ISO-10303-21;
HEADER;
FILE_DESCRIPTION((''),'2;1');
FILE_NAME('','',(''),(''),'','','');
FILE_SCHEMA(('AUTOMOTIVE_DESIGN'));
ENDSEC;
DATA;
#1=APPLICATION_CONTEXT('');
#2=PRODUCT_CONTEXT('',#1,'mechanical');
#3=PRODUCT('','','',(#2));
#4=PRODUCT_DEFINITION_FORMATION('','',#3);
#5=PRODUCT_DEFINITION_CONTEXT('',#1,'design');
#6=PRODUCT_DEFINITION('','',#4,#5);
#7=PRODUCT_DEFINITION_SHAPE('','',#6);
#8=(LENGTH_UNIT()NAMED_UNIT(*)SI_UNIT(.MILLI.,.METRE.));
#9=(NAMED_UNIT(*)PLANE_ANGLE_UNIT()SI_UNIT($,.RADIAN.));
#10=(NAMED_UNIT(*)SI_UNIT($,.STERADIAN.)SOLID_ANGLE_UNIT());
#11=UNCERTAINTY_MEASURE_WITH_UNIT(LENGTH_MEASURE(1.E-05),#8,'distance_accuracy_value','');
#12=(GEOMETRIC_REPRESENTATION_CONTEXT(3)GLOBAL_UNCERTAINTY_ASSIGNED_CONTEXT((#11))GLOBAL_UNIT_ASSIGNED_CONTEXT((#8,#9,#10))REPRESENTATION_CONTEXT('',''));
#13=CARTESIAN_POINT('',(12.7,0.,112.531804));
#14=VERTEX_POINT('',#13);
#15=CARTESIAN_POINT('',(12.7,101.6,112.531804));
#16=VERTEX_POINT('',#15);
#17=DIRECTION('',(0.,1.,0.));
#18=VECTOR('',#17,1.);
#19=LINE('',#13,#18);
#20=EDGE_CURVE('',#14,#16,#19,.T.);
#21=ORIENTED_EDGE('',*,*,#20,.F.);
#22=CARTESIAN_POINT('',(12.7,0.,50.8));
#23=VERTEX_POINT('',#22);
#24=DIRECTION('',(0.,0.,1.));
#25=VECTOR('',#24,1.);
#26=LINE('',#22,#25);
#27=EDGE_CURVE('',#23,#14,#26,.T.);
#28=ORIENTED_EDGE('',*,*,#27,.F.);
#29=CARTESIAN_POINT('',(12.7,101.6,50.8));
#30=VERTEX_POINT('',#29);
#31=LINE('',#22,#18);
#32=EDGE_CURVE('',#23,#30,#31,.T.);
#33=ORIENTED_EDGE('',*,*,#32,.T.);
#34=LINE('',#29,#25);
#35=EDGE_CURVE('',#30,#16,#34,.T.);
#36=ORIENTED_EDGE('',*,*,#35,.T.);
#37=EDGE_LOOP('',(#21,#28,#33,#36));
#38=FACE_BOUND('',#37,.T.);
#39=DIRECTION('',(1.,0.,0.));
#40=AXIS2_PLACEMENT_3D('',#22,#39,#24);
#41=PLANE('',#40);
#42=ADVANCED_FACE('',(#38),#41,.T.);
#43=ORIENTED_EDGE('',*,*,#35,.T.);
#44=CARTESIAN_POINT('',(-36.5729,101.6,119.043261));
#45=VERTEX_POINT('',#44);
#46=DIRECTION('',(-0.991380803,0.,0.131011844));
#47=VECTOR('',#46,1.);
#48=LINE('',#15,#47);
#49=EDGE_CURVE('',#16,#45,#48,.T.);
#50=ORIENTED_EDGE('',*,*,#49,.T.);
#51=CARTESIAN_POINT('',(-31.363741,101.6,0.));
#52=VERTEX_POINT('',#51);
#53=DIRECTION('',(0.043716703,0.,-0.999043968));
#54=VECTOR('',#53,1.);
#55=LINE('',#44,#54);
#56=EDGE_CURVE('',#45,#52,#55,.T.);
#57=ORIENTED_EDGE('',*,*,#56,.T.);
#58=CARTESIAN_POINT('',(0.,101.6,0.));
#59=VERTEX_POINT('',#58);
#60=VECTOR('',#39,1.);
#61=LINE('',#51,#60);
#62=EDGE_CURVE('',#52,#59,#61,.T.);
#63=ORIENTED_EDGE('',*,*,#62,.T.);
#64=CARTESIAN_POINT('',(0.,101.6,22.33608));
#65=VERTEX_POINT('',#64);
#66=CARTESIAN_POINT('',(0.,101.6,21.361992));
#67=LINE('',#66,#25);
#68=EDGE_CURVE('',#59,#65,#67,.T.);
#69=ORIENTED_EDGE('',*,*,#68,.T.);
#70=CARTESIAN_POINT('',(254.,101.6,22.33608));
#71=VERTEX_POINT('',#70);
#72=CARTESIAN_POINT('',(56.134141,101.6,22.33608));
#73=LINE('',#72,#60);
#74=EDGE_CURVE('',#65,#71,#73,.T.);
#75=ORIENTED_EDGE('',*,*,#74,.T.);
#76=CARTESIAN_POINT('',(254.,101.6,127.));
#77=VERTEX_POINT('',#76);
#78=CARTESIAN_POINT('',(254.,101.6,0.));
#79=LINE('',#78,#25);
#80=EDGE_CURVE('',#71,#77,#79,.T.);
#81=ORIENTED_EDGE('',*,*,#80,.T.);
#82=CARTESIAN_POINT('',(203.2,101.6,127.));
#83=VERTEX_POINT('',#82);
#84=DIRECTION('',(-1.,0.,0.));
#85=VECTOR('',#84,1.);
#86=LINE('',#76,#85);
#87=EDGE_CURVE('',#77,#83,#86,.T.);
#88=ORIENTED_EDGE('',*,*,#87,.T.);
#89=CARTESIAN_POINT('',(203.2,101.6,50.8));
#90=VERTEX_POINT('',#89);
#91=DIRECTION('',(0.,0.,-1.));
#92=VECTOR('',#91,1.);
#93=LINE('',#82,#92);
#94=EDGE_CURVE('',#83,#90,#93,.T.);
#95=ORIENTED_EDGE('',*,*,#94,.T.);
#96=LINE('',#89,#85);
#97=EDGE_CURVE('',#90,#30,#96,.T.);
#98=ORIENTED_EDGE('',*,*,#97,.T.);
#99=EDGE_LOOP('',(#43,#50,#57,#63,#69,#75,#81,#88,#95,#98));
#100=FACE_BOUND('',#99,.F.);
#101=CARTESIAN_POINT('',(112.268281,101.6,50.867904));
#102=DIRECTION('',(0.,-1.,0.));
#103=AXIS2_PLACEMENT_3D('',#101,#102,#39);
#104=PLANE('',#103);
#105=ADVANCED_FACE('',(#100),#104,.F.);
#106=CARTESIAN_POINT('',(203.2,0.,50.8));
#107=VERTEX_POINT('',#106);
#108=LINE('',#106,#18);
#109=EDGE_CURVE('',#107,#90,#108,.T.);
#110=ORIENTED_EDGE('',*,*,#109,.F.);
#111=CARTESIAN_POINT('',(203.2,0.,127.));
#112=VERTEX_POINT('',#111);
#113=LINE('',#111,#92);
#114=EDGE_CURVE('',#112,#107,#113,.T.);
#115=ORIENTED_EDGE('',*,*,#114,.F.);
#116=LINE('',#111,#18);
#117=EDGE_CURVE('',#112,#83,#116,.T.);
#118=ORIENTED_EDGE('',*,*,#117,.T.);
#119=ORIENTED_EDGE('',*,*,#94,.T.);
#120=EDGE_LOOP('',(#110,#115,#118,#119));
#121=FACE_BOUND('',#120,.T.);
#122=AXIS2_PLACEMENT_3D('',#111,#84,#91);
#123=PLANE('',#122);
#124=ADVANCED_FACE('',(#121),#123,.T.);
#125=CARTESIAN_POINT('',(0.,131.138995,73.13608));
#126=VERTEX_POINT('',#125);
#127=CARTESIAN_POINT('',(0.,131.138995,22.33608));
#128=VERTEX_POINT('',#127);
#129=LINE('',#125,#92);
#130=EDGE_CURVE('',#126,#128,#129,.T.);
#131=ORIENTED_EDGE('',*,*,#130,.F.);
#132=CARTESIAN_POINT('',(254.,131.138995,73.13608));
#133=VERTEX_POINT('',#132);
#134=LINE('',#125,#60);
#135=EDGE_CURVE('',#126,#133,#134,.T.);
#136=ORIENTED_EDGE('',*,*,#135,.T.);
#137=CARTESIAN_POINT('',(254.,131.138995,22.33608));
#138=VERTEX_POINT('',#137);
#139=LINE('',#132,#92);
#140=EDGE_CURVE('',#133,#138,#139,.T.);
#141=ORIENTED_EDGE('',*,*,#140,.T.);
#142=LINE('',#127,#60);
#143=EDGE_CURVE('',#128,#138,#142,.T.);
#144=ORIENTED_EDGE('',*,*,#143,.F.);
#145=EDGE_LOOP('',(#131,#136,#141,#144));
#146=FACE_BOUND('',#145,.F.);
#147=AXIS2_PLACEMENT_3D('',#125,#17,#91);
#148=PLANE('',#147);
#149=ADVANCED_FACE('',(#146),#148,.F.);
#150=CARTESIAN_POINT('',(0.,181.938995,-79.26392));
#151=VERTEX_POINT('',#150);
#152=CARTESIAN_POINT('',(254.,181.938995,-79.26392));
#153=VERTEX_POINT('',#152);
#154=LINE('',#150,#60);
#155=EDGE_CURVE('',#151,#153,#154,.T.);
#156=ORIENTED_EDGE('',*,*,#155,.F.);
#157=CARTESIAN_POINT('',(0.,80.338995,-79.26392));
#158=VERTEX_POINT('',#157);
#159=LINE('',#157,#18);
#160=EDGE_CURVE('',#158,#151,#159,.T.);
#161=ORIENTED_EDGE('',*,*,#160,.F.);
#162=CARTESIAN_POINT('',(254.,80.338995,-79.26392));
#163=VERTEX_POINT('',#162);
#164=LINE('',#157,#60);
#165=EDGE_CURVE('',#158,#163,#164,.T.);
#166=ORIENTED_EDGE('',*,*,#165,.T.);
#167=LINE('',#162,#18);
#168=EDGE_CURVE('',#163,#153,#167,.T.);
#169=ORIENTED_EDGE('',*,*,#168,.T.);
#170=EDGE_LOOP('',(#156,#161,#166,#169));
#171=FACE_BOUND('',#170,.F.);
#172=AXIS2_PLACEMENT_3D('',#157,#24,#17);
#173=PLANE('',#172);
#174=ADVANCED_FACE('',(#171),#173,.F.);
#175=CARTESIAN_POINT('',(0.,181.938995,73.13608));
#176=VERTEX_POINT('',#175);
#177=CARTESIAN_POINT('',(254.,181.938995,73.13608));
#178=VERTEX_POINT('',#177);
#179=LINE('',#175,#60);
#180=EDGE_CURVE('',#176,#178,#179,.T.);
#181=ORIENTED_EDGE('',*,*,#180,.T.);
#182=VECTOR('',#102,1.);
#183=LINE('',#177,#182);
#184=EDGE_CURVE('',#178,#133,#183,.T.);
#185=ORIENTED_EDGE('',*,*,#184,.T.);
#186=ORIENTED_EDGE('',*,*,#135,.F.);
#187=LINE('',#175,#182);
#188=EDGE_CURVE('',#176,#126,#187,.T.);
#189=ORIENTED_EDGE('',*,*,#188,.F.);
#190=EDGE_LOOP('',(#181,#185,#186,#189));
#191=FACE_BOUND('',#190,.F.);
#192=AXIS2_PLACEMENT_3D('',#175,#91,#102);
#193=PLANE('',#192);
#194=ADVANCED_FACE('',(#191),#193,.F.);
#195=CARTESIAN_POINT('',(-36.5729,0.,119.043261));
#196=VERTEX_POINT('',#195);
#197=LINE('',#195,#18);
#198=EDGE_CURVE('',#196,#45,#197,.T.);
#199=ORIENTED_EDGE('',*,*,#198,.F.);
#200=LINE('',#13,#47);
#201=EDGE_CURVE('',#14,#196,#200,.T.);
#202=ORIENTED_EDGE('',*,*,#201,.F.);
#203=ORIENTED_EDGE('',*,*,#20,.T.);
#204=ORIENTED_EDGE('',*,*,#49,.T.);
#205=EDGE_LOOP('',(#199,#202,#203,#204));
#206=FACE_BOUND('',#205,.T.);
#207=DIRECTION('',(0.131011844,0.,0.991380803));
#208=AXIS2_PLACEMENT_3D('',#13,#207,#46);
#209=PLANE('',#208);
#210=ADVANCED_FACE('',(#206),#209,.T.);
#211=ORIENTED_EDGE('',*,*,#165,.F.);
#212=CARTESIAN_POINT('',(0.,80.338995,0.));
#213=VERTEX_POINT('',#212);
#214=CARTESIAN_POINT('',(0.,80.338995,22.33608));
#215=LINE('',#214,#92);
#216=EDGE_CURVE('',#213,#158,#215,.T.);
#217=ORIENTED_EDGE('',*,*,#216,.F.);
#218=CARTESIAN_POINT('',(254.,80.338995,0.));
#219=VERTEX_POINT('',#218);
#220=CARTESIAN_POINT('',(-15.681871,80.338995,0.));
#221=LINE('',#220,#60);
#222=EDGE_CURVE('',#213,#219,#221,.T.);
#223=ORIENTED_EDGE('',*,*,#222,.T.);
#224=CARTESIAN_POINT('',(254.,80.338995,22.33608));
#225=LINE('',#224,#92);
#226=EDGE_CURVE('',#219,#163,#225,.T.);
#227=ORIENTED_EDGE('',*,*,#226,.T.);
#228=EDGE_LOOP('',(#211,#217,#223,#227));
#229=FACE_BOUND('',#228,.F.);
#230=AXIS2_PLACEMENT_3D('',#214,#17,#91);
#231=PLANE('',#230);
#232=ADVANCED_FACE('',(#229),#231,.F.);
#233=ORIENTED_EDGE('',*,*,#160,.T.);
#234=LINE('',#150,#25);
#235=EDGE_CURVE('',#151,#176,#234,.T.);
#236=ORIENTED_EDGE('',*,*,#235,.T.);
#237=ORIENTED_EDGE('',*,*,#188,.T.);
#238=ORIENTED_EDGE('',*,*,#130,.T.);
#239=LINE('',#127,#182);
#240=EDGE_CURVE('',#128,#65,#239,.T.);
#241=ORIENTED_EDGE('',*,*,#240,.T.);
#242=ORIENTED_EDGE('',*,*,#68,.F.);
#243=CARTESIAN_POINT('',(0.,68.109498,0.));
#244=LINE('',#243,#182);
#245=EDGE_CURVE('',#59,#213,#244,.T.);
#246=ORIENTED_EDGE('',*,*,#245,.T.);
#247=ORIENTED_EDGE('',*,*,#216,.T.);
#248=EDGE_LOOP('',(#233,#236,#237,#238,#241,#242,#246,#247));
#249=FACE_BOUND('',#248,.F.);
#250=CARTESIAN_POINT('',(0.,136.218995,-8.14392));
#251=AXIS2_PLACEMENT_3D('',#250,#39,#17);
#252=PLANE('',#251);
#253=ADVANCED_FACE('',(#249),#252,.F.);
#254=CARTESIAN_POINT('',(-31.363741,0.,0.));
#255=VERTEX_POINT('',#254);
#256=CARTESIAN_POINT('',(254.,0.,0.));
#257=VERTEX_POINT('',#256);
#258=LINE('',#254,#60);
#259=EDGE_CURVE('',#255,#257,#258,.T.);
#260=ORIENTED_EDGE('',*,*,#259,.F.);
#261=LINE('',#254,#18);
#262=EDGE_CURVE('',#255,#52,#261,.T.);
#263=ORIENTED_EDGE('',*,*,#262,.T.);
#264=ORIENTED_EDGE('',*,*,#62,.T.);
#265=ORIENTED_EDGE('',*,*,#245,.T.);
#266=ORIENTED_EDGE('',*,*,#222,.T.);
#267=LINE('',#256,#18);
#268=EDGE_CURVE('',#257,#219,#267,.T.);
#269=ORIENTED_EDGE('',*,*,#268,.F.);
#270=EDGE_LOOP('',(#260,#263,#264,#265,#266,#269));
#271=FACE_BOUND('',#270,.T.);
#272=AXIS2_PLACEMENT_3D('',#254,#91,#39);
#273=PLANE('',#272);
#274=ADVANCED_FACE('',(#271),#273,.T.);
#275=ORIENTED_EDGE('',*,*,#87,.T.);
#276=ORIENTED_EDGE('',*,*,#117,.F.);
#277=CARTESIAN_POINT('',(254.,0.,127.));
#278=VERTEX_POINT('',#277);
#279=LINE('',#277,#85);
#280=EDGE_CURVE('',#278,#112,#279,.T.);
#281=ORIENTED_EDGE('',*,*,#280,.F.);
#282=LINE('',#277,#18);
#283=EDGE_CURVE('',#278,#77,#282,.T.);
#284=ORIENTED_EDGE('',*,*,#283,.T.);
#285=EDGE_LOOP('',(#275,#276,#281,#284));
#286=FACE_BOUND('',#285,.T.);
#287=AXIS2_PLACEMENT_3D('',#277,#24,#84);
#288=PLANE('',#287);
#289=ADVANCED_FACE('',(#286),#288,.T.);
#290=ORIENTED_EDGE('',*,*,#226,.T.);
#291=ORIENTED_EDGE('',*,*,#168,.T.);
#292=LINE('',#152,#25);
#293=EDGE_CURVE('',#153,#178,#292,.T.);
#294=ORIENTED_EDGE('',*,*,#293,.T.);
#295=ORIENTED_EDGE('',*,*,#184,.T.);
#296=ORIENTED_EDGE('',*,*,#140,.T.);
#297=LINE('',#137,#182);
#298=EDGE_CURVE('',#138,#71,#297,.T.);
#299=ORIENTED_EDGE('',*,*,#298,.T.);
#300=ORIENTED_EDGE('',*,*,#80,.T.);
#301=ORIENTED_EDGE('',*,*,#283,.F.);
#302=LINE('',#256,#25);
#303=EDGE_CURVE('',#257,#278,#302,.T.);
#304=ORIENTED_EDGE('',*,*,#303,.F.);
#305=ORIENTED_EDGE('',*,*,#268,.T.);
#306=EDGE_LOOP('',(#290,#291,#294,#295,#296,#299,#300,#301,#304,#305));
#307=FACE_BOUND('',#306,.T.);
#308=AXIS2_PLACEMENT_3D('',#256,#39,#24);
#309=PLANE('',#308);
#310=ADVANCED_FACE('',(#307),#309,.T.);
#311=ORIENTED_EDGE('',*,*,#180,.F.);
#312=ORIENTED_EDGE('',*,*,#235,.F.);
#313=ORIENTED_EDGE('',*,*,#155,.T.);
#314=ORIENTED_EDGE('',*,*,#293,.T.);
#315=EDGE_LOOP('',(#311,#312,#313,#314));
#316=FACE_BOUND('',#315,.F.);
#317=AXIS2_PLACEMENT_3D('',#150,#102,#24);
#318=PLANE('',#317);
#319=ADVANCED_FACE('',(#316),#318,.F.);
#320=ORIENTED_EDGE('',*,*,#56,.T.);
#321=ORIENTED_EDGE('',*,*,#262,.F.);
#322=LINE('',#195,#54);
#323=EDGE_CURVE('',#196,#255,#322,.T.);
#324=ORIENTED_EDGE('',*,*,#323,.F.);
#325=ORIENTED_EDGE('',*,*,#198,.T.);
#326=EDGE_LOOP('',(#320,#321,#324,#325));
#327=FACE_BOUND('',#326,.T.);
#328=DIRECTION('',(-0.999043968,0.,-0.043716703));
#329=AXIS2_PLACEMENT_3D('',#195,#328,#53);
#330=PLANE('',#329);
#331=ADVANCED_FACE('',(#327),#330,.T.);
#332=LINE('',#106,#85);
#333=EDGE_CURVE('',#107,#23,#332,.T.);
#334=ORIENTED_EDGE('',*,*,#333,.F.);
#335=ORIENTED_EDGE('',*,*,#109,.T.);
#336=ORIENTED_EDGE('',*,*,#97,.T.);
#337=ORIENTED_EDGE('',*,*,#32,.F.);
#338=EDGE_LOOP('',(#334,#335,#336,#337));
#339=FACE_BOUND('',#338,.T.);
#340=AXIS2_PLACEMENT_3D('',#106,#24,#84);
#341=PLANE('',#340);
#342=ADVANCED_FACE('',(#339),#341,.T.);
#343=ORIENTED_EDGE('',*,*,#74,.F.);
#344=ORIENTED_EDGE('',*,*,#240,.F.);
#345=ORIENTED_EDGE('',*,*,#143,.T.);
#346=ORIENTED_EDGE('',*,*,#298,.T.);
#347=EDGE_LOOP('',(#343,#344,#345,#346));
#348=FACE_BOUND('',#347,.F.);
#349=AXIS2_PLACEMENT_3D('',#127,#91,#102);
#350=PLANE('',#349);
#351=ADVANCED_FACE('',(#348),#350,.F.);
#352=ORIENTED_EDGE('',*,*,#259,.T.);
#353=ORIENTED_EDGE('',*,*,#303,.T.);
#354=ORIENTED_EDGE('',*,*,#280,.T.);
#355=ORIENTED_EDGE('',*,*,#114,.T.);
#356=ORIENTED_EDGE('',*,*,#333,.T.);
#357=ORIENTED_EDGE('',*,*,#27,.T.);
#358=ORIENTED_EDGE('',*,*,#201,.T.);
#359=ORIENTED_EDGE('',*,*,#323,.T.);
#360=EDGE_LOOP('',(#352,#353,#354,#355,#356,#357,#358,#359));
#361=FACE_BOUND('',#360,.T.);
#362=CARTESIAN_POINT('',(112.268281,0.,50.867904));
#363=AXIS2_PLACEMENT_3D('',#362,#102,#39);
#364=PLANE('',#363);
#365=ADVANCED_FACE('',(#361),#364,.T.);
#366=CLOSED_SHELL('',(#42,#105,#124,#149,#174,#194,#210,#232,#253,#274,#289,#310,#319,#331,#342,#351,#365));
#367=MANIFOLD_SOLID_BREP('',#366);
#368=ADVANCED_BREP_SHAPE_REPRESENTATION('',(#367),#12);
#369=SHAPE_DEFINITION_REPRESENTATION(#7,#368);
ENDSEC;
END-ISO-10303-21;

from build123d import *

# Parameters (mm, degrees)
F1_DEPTH = 101.6
F3_DEPTH = 254


with BuildPart() as f1:
    # F0 (on Front) → F1 (new body)
    with BuildSketch(Plane.XZ):
        Polygon((-31.363741, 0), (0, 0), (254, 0), (254, 127), (203.2, 127), (203.2, 50.8), (12.7, 50.8), (12.7, 112.531804), (-36.5729, 119.043261), align=None)
    extrude(amount=-F1_DEPTH)

    # F2 (on Right) → F3 (join)
    with BuildSketch(Plane.YZ):
        Polygon((80.338995, 22.33608), (80.338995, -79.26392), (181.938995, -79.26392), (181.938995, 73.13608), (131.138995, 73.13608), (131.138995, 22.33608), align=None)
    extrude(amount=F3_DEPTH)


solid = f1.part
